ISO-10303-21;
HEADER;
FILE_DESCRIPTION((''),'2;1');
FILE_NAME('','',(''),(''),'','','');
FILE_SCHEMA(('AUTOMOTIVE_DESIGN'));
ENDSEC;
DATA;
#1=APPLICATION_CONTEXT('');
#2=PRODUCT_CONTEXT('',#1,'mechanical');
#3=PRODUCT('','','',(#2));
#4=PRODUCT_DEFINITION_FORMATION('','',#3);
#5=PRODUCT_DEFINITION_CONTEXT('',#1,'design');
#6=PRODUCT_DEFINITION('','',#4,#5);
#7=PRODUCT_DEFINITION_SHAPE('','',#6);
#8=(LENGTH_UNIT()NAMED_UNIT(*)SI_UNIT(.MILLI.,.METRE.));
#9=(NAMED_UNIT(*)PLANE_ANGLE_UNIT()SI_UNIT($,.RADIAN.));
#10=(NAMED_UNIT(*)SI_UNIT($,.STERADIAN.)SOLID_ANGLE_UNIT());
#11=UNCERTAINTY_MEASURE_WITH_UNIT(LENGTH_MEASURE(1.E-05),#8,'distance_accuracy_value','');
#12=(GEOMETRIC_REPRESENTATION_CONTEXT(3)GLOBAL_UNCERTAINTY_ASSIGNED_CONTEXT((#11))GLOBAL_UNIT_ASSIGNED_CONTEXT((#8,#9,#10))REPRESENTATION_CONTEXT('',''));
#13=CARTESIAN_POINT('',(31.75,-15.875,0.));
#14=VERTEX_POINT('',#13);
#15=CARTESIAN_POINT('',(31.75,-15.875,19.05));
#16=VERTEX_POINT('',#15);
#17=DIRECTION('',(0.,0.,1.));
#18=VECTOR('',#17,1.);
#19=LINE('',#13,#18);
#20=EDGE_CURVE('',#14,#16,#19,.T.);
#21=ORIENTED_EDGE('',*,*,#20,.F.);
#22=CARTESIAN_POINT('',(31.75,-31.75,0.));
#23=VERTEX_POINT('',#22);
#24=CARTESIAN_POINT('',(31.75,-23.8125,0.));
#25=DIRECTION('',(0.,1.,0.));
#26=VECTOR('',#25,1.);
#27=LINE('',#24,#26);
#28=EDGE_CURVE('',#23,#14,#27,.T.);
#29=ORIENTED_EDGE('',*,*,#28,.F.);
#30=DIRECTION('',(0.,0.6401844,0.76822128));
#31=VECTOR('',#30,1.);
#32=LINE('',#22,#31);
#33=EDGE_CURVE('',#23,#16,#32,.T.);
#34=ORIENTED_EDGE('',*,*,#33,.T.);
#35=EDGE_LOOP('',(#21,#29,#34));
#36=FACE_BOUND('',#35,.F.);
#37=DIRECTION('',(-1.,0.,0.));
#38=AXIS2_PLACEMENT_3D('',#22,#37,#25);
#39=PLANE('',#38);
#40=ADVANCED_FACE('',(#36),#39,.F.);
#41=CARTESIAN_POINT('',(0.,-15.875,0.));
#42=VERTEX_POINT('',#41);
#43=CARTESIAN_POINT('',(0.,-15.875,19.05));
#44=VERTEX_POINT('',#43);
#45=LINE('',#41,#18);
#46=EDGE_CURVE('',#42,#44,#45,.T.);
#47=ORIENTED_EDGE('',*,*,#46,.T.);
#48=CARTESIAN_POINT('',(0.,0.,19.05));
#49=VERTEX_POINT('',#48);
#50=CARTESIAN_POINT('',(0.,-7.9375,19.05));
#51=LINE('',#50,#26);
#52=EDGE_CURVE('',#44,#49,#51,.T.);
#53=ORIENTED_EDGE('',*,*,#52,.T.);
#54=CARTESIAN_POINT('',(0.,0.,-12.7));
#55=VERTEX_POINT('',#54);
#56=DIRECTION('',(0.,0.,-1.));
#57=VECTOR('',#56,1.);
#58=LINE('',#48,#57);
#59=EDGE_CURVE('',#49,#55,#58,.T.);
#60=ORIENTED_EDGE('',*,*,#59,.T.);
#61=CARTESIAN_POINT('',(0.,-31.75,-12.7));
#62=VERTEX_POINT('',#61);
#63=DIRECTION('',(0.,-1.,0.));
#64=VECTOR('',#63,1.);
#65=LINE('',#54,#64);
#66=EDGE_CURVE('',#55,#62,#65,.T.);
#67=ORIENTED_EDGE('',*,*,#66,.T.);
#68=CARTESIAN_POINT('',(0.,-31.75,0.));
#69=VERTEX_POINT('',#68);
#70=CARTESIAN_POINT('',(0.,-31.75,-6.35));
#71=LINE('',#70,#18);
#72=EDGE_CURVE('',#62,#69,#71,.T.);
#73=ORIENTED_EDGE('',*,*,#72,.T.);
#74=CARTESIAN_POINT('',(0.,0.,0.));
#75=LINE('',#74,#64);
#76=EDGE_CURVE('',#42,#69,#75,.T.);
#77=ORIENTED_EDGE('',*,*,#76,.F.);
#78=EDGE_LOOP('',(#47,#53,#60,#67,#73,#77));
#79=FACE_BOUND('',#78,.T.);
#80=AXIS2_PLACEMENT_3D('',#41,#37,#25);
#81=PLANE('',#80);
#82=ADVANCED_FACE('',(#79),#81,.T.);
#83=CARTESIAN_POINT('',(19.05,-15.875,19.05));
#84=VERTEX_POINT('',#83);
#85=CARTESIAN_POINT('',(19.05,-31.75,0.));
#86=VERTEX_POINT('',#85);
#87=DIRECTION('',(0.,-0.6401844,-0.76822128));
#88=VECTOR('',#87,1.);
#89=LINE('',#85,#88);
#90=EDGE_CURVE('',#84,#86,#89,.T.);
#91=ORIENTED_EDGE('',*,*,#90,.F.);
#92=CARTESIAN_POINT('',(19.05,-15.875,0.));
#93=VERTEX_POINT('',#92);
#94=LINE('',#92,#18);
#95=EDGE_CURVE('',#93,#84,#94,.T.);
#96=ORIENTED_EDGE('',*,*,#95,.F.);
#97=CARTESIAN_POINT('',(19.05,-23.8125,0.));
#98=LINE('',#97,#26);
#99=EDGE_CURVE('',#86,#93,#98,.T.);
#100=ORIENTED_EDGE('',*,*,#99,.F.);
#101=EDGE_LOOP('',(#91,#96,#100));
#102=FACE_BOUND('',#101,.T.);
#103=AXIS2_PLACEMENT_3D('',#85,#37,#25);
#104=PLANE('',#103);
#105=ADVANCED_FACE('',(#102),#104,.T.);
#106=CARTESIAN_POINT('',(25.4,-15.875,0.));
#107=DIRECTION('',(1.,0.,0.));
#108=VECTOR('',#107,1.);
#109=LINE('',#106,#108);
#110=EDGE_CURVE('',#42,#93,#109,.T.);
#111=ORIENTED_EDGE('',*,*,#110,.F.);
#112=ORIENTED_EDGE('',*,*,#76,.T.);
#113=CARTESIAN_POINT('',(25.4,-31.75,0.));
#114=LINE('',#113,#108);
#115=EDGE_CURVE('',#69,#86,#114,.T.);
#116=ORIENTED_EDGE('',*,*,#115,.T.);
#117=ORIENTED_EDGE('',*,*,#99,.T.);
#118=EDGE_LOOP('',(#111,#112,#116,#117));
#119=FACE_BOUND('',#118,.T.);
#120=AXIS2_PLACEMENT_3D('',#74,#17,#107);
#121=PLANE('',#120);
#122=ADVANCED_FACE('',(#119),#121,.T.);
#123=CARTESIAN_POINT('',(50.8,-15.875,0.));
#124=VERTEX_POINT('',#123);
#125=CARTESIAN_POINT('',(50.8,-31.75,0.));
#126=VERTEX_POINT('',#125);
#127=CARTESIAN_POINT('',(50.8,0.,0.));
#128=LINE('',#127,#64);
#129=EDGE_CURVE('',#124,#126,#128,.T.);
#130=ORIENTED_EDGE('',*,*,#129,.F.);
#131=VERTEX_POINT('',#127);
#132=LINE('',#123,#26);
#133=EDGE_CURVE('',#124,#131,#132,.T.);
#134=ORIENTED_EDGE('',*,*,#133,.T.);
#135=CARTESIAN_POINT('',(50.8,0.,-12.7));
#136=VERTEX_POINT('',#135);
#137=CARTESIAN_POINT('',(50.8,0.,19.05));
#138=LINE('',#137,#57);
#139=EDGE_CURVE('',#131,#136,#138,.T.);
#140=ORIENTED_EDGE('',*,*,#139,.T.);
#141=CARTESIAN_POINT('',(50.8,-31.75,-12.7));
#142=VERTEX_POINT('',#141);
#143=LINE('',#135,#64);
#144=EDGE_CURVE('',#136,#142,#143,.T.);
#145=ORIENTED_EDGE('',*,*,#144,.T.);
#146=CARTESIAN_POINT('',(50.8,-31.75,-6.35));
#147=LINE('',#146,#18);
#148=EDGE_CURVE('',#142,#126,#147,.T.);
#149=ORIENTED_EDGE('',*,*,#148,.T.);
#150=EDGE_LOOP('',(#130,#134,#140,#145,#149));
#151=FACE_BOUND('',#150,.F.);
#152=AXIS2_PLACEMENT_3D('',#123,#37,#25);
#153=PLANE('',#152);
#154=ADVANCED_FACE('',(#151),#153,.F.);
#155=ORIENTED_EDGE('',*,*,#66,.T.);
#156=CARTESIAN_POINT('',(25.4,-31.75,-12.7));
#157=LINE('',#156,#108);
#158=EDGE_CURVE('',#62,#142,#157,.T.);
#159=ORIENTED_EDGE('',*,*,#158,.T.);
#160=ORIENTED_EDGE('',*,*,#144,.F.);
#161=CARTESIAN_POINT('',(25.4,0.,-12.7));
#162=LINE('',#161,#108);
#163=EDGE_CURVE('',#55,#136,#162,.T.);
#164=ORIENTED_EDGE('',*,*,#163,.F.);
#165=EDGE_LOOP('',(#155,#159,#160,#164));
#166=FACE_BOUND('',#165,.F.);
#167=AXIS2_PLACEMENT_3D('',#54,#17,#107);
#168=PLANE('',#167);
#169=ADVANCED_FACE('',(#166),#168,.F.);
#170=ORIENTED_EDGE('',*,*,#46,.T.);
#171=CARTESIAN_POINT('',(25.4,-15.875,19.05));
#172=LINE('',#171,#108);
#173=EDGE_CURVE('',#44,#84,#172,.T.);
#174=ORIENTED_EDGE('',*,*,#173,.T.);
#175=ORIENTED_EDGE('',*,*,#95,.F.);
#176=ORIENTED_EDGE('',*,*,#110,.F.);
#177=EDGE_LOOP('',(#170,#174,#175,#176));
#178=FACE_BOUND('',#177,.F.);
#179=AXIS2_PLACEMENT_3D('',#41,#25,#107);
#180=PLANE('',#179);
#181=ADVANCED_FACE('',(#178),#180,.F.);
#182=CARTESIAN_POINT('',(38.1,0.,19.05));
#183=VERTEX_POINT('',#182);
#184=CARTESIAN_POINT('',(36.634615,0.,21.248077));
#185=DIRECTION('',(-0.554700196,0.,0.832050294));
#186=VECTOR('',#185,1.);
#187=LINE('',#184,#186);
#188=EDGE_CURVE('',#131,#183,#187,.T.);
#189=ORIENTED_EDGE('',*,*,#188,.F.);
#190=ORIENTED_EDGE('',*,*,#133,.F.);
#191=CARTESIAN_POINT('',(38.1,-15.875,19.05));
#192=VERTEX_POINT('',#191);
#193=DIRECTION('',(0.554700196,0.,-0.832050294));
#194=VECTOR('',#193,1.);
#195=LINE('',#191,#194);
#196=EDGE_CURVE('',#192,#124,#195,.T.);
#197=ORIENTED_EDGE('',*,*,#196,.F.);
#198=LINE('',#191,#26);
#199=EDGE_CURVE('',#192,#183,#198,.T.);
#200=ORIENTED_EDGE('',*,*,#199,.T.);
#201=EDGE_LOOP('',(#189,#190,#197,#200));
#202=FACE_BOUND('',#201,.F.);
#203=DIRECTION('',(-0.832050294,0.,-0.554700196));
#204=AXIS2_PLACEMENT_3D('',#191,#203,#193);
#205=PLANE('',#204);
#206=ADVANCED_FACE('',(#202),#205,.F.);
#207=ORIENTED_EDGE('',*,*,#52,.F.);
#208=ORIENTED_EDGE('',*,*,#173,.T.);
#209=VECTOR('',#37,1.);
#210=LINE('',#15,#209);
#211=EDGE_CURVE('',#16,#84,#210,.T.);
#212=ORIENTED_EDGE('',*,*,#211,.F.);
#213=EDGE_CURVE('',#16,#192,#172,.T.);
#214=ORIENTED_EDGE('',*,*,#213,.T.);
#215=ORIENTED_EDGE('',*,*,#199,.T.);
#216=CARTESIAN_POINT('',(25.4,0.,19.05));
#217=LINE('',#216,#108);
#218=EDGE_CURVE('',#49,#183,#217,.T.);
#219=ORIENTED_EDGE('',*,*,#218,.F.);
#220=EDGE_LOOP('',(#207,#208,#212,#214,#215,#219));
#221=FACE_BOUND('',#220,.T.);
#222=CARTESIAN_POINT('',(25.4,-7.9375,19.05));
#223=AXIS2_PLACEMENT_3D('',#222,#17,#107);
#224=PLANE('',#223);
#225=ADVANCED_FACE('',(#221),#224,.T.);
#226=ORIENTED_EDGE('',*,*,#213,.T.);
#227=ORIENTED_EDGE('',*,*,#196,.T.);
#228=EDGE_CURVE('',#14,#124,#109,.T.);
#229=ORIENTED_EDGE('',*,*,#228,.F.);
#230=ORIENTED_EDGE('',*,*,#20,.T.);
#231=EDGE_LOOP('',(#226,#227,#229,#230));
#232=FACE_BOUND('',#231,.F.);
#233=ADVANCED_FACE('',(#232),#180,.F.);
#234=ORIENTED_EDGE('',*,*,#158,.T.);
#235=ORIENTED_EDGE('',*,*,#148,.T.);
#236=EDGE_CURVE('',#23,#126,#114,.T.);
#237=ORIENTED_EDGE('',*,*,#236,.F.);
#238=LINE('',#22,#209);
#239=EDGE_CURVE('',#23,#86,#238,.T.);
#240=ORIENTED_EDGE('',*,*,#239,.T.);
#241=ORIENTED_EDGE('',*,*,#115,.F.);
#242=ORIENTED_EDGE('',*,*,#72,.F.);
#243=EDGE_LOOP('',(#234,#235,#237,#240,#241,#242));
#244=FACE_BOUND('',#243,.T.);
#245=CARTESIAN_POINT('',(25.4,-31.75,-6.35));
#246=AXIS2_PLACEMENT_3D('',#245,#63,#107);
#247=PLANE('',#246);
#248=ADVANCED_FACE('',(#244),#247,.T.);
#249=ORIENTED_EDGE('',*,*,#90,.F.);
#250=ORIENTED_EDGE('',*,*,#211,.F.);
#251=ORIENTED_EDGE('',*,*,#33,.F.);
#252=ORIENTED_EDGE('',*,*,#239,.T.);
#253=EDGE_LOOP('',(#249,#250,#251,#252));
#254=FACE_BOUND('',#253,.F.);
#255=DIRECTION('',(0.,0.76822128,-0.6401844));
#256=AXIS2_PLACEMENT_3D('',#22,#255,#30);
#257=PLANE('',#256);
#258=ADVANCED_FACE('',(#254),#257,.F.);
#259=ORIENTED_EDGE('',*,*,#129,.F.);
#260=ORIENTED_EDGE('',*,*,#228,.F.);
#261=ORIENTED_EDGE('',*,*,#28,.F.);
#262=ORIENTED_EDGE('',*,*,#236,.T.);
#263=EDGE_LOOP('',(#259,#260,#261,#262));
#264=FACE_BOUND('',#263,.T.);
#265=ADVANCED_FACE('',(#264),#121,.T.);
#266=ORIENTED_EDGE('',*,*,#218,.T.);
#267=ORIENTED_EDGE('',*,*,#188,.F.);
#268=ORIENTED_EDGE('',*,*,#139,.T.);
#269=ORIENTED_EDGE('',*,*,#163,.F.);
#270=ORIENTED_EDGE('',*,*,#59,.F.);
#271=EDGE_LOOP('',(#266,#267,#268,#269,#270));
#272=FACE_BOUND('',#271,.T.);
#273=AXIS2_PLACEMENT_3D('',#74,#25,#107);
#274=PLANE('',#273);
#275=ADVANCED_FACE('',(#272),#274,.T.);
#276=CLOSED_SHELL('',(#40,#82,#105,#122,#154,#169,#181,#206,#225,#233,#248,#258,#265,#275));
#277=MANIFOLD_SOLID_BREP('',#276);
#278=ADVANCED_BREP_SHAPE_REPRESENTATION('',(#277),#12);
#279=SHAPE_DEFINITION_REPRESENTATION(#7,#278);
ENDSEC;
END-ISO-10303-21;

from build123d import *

# Parameters (mm, degrees)
F0_W     = 50.8
F0_H     = 12.7
F1_DEPTH = 31.75
F2_W     = 50.8
F2_H     = 15.875
F3_DEPTH = 19.05
F5_DEPTH = 25.4
F6_W     = 12.7
F6_H     = 15.875
F7_DEPTH = 19.05
F9_DEPTH = 31.751


with BuildPart() as f1:
    # F0 (on Front) → F1 (new body)
    with BuildSketch(Plane.XZ):
        with Locations((25.4, -6.35)):
            Rectangle(F0_W, F0_H)
    extrude(amount=F1_DEPTH)

    # F2 (on face) → F3 (join)
    with BuildSketch(Plane.XY):
        with Locations((25.4, -7.9375)):
            Rectangle(F2_W, F2_H)
    extrude(amount=F3_DEPTH)

    # F4 (on face) → F5 (cut)
    with BuildSketch(Plane.XZ.offset(15.875)):
        Polygon((50.8, 0), (50.8, 19.05), (38.1, 19.05), align=None)
    extrude(amount=-F5_DEPTH, mode=Mode.SUBTRACT)

    # F6 (on face) → F7 (join)
    with BuildSketch(Plane.XY):
        with Locations((25.4, -23.8125)):
            Rectangle(F6_W, F6_H)
    extrude(amount=F7_DEPTH)

    # F8 (on face) → F9 (cut, through all)
    with BuildSketch(Plane.YZ.offset(31.75)):
        Polygon((-31.75, 0), (-15.875, 19.05), (-31.75, 19.05), align=None)
    extrude(amount=-F9_DEPTH, mode=Mode.SUBTRACT)


solid = f1.part
